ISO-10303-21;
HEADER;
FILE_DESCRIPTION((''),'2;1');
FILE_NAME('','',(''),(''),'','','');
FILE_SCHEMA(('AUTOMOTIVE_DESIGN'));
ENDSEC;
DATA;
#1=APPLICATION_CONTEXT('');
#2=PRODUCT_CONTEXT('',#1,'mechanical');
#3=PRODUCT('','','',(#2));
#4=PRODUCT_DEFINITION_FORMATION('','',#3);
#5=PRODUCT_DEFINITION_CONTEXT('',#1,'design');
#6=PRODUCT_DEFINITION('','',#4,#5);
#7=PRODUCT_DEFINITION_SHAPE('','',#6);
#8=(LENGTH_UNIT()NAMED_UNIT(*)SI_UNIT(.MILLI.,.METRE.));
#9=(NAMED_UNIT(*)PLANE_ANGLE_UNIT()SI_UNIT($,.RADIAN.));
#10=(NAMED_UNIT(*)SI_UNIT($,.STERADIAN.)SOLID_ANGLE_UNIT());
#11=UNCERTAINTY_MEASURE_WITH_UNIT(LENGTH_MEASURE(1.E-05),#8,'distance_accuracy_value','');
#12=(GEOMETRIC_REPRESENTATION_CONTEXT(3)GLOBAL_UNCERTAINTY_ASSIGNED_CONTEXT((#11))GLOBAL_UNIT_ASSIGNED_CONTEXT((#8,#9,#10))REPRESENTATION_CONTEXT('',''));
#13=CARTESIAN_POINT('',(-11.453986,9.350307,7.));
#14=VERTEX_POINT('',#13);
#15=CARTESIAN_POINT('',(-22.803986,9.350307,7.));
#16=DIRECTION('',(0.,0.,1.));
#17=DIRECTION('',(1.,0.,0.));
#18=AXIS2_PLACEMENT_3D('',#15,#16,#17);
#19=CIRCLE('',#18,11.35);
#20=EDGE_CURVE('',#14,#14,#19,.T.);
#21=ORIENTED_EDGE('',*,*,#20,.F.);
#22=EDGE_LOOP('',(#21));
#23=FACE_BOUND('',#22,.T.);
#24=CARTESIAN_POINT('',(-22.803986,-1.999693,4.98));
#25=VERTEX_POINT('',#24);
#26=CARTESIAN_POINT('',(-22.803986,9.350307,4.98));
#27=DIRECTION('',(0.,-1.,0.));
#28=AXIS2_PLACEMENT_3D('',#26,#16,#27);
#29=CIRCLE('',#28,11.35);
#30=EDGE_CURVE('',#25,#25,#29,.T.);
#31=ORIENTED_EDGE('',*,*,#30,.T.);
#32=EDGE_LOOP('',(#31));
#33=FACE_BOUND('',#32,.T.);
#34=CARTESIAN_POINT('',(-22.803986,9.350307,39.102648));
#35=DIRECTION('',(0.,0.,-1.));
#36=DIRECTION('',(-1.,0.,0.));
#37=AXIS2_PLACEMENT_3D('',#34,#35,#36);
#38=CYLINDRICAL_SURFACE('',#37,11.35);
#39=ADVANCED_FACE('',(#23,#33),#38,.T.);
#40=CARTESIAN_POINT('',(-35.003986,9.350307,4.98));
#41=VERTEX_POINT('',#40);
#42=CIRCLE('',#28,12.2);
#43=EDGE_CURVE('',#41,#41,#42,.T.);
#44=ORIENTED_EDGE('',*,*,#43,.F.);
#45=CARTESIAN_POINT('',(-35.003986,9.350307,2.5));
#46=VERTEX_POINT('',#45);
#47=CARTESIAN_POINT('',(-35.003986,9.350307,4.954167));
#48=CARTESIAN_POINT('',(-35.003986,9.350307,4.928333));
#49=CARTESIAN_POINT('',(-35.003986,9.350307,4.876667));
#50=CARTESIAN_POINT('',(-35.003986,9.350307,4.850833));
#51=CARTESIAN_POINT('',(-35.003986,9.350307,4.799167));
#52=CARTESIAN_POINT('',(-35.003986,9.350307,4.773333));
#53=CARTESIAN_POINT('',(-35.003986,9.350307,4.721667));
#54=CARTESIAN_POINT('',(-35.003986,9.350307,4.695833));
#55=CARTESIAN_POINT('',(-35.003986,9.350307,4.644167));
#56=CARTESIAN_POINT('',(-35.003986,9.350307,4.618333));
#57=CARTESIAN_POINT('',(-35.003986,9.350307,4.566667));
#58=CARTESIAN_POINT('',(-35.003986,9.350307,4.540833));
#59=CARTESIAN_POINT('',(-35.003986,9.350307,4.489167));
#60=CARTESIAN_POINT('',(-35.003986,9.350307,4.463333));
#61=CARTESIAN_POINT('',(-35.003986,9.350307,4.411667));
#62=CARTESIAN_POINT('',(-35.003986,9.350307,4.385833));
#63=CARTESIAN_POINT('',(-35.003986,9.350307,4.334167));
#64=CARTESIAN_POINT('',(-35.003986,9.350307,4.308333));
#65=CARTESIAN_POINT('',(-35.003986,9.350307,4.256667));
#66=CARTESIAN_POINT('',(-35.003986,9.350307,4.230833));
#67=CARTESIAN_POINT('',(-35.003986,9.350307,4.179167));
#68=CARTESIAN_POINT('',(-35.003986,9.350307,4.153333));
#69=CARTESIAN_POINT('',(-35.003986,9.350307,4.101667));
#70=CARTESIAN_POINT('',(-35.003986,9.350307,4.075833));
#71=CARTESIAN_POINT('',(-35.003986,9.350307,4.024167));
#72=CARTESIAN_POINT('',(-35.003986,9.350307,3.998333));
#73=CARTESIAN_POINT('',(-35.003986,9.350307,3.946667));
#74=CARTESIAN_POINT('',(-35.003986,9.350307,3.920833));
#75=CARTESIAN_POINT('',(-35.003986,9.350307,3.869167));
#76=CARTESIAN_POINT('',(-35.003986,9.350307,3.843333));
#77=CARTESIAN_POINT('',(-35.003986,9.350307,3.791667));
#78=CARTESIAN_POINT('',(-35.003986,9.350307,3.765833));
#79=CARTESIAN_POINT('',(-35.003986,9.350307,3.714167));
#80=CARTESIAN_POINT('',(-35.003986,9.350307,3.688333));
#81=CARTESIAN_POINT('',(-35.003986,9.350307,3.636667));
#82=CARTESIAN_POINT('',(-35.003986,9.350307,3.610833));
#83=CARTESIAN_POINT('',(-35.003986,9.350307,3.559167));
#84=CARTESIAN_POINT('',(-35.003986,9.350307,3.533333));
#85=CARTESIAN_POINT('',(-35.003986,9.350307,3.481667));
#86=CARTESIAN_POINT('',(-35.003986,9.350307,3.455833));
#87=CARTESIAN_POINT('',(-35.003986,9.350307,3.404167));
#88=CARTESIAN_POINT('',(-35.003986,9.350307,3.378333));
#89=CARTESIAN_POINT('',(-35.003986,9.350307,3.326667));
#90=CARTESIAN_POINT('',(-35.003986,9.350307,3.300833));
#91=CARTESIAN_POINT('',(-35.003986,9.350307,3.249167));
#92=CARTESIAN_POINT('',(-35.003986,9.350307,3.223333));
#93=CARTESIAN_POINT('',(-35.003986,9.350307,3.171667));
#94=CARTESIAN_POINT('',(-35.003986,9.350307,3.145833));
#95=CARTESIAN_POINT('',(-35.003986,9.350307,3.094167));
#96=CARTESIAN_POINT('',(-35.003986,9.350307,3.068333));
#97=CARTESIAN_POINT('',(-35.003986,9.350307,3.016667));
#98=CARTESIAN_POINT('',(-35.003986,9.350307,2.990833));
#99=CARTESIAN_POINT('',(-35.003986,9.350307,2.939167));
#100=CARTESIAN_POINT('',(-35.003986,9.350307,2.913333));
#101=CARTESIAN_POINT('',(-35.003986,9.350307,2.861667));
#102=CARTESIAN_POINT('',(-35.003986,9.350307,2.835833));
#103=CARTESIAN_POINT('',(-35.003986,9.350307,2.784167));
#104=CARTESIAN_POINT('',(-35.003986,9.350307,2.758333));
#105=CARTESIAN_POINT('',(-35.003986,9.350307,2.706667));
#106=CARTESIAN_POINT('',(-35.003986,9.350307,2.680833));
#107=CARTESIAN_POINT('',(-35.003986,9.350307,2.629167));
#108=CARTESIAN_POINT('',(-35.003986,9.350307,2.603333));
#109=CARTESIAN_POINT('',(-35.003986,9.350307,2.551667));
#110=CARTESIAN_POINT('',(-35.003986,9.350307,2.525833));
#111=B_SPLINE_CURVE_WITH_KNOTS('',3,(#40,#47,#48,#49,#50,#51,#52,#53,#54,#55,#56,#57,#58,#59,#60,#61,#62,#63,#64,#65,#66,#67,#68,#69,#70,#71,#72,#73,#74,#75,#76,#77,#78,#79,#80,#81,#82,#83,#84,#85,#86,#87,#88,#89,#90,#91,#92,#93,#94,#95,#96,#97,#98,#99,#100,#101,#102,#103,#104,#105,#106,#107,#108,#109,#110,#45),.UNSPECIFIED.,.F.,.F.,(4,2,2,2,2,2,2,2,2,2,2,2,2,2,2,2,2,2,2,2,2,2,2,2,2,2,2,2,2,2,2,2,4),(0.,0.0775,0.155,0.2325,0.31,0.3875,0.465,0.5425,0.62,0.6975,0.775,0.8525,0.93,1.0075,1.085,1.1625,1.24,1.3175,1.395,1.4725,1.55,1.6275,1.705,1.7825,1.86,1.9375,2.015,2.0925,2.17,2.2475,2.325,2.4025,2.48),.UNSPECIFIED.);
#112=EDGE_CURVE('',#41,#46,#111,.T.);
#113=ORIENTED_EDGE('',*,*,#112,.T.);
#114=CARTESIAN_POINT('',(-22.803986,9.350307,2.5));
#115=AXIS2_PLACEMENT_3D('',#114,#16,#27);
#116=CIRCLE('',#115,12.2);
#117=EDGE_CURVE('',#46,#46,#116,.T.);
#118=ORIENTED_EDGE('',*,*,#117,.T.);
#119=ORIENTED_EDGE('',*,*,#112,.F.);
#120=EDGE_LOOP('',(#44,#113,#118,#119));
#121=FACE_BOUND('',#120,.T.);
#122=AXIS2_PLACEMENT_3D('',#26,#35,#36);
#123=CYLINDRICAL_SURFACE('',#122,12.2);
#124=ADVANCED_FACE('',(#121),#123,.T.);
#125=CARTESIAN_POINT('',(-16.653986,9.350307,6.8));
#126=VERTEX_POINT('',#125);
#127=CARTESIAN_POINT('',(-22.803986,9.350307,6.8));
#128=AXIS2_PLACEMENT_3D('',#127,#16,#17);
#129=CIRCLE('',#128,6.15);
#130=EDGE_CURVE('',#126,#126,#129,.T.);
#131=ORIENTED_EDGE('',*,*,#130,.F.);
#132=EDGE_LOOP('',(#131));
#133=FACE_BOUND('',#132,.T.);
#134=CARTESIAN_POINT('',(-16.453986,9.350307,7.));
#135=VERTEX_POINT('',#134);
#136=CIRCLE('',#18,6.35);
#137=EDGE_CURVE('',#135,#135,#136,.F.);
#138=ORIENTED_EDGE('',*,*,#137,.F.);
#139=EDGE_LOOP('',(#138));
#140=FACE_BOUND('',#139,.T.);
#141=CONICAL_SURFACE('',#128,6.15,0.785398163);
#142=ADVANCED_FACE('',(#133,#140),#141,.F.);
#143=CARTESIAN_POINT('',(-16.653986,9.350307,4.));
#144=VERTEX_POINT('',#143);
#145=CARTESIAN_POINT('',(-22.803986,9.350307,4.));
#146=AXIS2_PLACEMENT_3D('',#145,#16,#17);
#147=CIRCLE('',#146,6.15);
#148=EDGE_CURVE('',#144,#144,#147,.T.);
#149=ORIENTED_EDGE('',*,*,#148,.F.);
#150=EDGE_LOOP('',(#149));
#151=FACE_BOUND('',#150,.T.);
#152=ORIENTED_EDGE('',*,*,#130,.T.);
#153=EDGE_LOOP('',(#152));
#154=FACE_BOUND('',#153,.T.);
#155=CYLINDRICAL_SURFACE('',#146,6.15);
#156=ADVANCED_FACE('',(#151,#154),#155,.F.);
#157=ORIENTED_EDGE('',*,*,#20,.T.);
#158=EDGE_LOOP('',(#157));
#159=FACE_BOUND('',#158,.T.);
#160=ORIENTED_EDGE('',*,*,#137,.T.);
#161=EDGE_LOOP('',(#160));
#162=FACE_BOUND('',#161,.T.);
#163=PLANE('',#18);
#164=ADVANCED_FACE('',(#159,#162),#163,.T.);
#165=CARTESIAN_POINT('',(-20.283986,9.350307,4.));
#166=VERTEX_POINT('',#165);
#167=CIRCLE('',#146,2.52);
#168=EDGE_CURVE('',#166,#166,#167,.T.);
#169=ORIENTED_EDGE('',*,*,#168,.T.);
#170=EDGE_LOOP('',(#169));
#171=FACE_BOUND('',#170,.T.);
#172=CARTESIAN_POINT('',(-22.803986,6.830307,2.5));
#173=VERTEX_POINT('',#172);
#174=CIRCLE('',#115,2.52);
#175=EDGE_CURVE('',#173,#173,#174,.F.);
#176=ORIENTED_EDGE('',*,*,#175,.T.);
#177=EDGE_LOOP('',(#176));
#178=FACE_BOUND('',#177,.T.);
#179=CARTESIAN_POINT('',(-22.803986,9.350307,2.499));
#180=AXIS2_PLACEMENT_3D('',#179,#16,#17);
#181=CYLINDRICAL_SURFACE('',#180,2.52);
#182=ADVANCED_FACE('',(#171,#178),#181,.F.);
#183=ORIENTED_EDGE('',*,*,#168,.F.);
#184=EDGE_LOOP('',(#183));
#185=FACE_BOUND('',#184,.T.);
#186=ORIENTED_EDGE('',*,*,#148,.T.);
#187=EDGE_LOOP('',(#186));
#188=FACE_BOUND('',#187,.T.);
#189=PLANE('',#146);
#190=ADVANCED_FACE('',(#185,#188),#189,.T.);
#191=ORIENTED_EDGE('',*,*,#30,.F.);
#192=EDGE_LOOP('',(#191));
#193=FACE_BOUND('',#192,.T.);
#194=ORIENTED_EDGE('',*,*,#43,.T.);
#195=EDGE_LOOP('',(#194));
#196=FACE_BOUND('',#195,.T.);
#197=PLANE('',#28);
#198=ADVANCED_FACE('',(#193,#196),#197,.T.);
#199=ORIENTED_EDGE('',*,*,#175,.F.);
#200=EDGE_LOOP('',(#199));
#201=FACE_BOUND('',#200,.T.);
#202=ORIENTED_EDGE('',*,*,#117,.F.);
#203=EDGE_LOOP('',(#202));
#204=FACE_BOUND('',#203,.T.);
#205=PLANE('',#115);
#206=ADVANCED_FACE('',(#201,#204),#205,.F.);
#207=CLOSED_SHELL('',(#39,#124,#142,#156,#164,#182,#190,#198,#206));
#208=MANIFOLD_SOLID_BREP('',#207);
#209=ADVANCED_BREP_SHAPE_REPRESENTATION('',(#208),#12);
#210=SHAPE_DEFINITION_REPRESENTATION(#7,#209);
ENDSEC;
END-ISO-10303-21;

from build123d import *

# Parameters (mm, degrees)
EXTRUDE_START       = 2.5
SKETCH_1_R          = 12.2
EXTRUDE_1_DEPTH     = 2.48
EXTRUDE_START_2     = 4.98
SKETCH_2_R          = 11.35
EXTRUDE_2_DEPTH     = 2.02
CUT_EXTRUDE_START   = 7
SKETCH_3_R          = 6.15
CUT_EXTRUDE_1_DEPTH = 3
CHAMFER_1_SIZE      = 0.2
CUT_EXTRUDE_START_2 = 2.5
SKETCH_4_R          = 2.52
CUT_EXTRUDE_2_DEPTH = 1.5


with BuildPart() as part:
    # 草图1 → 凸台-拉伸1 (new body)
    with BuildSketch(Plane.XY.offset(EXTRUDE_START)):
        with Locations(Location((-22.803986485, 9.350307143, 0), (0, 0, 180))):
            Circle(SKETCH_1_R)
    extrude(amount=EXTRUDE_1_DEPTH)

    # 草图2 → 凸台-拉伸2 (add)
    with BuildSketch(Plane.XY.offset(EXTRUDE_START_2)):
        with Locations(Location((-22.803986485, 9.350307143, 0), (0, 0, 270))):
            Circle(SKETCH_2_R)
    extrude(amount=EXTRUDE_2_DEPTH)

    # 草图3 → 切除-拉伸1 (cut)
    with BuildSketch(Plane.XY.offset(CUT_EXTRUDE_START)):
        with Locations((-22.803986485, 9.350307143)):
            Circle(SKETCH_3_R)
    extrude(amount=-CUT_EXTRUDE_1_DEPTH, mode=Mode.SUBTRACT)

    # 倒角1
    chamfer_1_edges = [part.edges().sort_by_distance(p)[0] for p in [
        (-28.953986485, 9.350307143, 7),
    ]]
    chamfer(chamfer_1_edges, length=CHAMFER_1_SIZE)

    # 草图4 → 切除-拉伸2 (cut)
    with BuildSketch(Plane.XY.offset(CUT_EXTRUDE_START_2)):
        with Locations((-22.803986485, 9.350307143)):
            Circle(SKETCH_4_R)
    extrude(amount=CUT_EXTRUDE_2_DEPTH, mode=Mode.SUBTRACT)


solid = part.part
